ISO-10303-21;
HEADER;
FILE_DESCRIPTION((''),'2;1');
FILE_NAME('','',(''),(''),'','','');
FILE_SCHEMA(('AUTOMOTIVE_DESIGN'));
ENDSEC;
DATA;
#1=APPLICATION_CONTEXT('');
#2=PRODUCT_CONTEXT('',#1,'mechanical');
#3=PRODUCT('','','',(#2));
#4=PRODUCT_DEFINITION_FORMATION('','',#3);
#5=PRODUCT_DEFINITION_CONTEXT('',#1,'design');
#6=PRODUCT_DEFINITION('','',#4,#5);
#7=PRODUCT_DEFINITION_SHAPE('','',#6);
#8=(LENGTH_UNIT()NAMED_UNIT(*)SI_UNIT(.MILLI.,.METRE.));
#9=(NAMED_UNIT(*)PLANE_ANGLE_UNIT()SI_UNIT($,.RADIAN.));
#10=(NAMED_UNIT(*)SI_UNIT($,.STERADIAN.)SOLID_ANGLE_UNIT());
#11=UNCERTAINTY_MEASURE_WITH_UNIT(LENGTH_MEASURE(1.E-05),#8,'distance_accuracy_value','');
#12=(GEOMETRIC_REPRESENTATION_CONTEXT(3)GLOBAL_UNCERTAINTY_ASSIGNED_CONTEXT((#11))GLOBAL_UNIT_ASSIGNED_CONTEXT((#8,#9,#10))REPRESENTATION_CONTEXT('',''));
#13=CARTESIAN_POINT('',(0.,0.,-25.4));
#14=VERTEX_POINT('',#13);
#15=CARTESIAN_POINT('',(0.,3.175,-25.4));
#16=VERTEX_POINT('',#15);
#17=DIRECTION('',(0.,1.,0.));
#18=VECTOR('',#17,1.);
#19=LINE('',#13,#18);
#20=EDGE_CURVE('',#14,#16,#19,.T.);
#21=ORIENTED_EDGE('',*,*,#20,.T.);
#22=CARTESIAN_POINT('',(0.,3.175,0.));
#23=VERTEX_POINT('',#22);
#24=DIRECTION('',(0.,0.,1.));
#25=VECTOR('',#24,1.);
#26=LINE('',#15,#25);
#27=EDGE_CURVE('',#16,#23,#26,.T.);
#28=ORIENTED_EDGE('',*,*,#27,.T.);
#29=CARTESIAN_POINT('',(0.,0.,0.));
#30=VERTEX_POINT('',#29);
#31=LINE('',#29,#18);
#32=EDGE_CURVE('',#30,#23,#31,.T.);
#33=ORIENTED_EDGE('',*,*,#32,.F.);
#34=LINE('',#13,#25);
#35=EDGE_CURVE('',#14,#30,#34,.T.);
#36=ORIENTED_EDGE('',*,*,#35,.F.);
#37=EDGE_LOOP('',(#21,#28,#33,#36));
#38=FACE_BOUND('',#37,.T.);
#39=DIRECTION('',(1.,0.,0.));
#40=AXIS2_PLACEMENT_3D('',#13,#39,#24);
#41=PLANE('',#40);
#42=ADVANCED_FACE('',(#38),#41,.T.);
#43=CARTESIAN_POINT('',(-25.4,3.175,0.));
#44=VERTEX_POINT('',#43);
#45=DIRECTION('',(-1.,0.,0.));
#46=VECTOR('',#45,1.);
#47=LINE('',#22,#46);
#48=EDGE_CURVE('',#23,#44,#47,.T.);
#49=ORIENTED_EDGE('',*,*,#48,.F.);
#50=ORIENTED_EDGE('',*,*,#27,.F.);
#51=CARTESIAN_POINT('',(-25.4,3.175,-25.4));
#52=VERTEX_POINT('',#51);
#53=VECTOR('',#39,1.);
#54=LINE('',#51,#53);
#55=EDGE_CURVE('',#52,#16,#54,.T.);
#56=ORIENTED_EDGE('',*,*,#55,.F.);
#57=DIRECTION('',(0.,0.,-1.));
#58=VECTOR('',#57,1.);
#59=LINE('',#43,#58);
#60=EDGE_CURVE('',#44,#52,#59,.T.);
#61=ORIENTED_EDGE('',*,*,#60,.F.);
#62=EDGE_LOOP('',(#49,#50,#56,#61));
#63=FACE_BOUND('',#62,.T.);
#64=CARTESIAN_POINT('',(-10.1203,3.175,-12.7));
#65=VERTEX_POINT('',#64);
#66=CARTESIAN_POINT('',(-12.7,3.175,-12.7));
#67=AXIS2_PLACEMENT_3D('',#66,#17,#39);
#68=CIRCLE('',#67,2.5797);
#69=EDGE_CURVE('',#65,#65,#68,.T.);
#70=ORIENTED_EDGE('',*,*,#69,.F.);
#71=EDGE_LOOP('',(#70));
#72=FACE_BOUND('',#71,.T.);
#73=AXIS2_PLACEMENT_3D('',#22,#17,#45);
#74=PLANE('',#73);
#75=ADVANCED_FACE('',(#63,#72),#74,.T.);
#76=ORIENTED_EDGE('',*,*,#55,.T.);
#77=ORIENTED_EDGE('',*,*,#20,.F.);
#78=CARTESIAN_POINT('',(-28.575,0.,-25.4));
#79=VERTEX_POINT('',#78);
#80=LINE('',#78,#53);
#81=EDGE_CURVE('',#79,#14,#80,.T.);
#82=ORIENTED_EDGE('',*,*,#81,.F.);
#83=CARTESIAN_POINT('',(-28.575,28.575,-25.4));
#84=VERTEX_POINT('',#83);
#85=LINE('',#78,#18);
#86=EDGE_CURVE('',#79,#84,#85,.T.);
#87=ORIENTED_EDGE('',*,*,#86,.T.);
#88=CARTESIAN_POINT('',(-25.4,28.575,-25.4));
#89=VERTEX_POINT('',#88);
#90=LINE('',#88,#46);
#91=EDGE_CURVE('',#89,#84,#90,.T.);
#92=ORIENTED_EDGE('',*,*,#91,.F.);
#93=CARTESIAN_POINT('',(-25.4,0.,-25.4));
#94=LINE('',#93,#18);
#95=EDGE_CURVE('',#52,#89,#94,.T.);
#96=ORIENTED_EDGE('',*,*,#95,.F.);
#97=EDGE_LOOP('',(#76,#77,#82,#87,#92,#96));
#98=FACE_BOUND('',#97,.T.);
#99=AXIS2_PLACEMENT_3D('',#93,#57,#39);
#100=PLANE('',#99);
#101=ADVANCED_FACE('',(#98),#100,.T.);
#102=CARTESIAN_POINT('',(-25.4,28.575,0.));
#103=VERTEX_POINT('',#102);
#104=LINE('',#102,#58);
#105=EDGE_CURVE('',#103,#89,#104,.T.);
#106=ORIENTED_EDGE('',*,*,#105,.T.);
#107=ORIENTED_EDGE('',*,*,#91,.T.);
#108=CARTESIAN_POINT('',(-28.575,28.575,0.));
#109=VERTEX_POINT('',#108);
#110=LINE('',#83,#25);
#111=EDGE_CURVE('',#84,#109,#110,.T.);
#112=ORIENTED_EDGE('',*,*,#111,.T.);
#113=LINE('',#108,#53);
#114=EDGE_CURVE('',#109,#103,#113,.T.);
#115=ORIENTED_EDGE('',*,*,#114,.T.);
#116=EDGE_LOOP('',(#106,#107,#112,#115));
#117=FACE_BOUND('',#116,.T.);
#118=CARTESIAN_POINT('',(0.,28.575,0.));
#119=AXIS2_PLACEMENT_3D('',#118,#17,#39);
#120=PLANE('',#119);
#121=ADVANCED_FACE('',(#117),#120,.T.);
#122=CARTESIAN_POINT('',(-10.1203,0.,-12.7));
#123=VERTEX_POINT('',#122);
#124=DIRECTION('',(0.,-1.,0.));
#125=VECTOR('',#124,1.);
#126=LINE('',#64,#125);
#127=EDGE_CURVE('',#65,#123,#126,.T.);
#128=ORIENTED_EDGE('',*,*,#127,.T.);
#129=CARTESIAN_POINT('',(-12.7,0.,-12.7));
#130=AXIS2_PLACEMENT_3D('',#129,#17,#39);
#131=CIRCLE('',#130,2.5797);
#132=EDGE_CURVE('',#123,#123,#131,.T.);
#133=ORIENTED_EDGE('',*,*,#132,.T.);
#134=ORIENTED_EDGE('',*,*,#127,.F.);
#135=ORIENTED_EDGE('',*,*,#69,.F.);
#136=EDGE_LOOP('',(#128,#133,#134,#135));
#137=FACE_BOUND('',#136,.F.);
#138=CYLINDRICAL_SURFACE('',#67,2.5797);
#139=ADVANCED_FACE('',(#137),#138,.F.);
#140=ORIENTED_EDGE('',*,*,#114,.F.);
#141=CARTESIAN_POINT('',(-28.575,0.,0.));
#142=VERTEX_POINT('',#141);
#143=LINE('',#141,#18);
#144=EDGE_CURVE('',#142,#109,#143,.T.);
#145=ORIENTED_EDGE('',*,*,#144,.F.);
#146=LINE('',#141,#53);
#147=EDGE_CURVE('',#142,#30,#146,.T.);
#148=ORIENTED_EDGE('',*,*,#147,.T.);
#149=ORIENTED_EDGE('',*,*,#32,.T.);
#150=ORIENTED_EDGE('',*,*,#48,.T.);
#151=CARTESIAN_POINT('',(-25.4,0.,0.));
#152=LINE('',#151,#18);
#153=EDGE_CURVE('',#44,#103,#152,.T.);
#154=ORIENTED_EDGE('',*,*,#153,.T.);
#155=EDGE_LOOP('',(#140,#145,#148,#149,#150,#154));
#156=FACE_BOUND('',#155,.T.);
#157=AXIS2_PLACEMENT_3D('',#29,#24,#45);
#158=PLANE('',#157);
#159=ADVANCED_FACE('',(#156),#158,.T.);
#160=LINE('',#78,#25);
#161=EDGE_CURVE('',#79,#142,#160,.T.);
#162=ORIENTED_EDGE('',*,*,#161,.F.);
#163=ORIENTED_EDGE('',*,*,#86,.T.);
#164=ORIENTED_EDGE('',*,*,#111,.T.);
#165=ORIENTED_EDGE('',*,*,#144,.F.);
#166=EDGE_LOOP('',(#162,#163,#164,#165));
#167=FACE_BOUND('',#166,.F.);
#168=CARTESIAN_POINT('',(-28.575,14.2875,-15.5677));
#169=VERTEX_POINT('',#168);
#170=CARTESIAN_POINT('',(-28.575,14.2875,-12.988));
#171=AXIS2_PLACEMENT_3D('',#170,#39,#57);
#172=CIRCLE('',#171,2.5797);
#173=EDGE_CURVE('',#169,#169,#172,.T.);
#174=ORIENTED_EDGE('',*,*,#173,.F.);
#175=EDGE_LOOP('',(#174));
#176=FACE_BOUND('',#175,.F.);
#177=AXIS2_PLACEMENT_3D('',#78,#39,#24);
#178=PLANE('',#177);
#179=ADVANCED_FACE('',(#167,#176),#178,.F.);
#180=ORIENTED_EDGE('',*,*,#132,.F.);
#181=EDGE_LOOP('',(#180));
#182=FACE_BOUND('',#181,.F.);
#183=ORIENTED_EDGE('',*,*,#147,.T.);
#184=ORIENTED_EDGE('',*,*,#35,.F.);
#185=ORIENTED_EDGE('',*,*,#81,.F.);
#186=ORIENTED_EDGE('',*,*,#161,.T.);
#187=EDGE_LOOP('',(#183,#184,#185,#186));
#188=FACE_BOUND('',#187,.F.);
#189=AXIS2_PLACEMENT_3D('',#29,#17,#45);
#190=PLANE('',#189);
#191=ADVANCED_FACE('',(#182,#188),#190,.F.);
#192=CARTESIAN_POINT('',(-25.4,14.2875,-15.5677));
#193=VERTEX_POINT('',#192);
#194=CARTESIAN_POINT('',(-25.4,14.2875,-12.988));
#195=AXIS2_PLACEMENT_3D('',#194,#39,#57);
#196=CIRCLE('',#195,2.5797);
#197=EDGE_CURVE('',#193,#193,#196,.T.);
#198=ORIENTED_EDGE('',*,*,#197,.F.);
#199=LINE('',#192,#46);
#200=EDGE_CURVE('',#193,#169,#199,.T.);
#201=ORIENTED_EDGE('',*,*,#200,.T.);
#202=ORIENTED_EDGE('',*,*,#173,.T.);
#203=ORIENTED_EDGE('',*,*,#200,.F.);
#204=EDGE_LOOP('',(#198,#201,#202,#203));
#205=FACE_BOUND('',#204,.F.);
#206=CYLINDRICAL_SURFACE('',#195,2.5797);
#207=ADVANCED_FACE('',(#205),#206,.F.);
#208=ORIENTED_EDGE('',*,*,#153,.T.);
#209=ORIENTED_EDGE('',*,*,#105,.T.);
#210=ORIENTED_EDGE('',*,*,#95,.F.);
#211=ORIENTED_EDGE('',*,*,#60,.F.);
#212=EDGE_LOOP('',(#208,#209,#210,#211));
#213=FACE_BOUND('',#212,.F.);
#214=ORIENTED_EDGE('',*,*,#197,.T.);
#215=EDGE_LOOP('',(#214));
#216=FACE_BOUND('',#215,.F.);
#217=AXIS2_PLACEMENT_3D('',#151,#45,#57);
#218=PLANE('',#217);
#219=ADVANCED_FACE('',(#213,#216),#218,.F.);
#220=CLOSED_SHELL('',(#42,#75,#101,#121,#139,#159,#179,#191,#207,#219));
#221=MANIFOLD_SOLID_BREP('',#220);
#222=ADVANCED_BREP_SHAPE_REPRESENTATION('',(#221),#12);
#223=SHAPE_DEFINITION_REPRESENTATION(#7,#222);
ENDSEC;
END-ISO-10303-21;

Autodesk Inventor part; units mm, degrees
ref_plane "YZ Plane" through (0, 0, 0) normal (1, 0, 0) x (0, 1, 0)
ref_plane "XZ Plane" through (0, 0, 0) normal (0, 1, 0) x (-1, 0, 0)
ref_plane "XY Plane" through (0, 0, 0) normal (0, 0, 1) x (1, 0, 0)
sketch "Sketch1" plane through (0, 0, 0) normal (0, 1, 0) x (-1, 0, 0)
  line L0 (0, 0) -> (25.4, 0)
  line L1 (25.4, 0) -> (25.4, -25.4)
  line L2 (25.4, -25.4) -> (0, -25.4)
  line L3 (0, -25.4) -> (0, 0)
  dimension "d0" = 25.4
  dimension "d1" = 25.4
extrude "Extrusion1" add sketch "Sketch1" along normal blind 3.175
sketch "Sketch2" plane through (0, 0, 0) normal (0, 1, 0) x (1, 0, 0)
  line L0 (-25.4, 0) -> (0, 0) construction
  line L1 (-12.7, 0) -> (-12.7, 12.7) construction
  line L2 (0, 25.4) -> (-25.4, 25.4) construction
  line L3 (-12.7, 25.4) -> (-12.7, 12.7) construction
  line L4 (-25.4, 25.4) -> (-25.4, 0) construction
  line L5 (-25.4, 12.7) -> (0, 12.7) construction
  line L6 (-25.4, 25.4) -> (-28.575, 25.4)
  line L7 (-28.575, 25.4) -> (-28.575, 0)
  line L8 (-28.575, 0) -> (-25.4, 0)
  line L9 (-25.4, 0) -> (-25.4, 25.4)
  dimension "d4" = 12.7
  dimension "d5" = 12.7
  dimension "d6" = 3.175
extrude "Extrusion2" add sketch "Sketch2" along normal blind 28.575
sketch "Sketch3" plane through (0, 3.175, 0) normal (0, 1, 0) x (1, 0, 0)
  line L0 (0, 0) -> (0, 25.4) construction
  line L1 (0, 12.7) -> (-16.1864, 12.7) construction
  line L2 (0, 25.4) -> (-25.4, 25.4) construction
  line L3 (-12.7, 25.4) -> (-12.7, 5.173) construction
  circle A0 centre (-12.7, 12.7) radius 2.5797
  dimension "d9" = 5.1594
sketch "Sketch4" plane through (-25.4, 3.175, -25.4) normal (1, 0, 0) x (0, 0, -1)
  line L0 (0, 25.4) -> (-25.4, 25.4) construction
  line L1 (-12.7, 25.4) -> (-12.7, 8.5615) construction
  line L2 (-25.4, -3.175) -> (-25.4, 25.4) construction
  line L3 (-25.4, 11.1125) -> (0.5761, 11.1125) construction
  circle A0 centre (-12.412, 11.1125) radius 2.5797
  dimension "d10" = 5.1594
extrude "Extrusion3" cut sketch "Sketch4" against normal blind 28.575
extrude "Extrusion4" cut sketch "Sketch3" against normal blind 28.575
properties part number "spring extentsion"
